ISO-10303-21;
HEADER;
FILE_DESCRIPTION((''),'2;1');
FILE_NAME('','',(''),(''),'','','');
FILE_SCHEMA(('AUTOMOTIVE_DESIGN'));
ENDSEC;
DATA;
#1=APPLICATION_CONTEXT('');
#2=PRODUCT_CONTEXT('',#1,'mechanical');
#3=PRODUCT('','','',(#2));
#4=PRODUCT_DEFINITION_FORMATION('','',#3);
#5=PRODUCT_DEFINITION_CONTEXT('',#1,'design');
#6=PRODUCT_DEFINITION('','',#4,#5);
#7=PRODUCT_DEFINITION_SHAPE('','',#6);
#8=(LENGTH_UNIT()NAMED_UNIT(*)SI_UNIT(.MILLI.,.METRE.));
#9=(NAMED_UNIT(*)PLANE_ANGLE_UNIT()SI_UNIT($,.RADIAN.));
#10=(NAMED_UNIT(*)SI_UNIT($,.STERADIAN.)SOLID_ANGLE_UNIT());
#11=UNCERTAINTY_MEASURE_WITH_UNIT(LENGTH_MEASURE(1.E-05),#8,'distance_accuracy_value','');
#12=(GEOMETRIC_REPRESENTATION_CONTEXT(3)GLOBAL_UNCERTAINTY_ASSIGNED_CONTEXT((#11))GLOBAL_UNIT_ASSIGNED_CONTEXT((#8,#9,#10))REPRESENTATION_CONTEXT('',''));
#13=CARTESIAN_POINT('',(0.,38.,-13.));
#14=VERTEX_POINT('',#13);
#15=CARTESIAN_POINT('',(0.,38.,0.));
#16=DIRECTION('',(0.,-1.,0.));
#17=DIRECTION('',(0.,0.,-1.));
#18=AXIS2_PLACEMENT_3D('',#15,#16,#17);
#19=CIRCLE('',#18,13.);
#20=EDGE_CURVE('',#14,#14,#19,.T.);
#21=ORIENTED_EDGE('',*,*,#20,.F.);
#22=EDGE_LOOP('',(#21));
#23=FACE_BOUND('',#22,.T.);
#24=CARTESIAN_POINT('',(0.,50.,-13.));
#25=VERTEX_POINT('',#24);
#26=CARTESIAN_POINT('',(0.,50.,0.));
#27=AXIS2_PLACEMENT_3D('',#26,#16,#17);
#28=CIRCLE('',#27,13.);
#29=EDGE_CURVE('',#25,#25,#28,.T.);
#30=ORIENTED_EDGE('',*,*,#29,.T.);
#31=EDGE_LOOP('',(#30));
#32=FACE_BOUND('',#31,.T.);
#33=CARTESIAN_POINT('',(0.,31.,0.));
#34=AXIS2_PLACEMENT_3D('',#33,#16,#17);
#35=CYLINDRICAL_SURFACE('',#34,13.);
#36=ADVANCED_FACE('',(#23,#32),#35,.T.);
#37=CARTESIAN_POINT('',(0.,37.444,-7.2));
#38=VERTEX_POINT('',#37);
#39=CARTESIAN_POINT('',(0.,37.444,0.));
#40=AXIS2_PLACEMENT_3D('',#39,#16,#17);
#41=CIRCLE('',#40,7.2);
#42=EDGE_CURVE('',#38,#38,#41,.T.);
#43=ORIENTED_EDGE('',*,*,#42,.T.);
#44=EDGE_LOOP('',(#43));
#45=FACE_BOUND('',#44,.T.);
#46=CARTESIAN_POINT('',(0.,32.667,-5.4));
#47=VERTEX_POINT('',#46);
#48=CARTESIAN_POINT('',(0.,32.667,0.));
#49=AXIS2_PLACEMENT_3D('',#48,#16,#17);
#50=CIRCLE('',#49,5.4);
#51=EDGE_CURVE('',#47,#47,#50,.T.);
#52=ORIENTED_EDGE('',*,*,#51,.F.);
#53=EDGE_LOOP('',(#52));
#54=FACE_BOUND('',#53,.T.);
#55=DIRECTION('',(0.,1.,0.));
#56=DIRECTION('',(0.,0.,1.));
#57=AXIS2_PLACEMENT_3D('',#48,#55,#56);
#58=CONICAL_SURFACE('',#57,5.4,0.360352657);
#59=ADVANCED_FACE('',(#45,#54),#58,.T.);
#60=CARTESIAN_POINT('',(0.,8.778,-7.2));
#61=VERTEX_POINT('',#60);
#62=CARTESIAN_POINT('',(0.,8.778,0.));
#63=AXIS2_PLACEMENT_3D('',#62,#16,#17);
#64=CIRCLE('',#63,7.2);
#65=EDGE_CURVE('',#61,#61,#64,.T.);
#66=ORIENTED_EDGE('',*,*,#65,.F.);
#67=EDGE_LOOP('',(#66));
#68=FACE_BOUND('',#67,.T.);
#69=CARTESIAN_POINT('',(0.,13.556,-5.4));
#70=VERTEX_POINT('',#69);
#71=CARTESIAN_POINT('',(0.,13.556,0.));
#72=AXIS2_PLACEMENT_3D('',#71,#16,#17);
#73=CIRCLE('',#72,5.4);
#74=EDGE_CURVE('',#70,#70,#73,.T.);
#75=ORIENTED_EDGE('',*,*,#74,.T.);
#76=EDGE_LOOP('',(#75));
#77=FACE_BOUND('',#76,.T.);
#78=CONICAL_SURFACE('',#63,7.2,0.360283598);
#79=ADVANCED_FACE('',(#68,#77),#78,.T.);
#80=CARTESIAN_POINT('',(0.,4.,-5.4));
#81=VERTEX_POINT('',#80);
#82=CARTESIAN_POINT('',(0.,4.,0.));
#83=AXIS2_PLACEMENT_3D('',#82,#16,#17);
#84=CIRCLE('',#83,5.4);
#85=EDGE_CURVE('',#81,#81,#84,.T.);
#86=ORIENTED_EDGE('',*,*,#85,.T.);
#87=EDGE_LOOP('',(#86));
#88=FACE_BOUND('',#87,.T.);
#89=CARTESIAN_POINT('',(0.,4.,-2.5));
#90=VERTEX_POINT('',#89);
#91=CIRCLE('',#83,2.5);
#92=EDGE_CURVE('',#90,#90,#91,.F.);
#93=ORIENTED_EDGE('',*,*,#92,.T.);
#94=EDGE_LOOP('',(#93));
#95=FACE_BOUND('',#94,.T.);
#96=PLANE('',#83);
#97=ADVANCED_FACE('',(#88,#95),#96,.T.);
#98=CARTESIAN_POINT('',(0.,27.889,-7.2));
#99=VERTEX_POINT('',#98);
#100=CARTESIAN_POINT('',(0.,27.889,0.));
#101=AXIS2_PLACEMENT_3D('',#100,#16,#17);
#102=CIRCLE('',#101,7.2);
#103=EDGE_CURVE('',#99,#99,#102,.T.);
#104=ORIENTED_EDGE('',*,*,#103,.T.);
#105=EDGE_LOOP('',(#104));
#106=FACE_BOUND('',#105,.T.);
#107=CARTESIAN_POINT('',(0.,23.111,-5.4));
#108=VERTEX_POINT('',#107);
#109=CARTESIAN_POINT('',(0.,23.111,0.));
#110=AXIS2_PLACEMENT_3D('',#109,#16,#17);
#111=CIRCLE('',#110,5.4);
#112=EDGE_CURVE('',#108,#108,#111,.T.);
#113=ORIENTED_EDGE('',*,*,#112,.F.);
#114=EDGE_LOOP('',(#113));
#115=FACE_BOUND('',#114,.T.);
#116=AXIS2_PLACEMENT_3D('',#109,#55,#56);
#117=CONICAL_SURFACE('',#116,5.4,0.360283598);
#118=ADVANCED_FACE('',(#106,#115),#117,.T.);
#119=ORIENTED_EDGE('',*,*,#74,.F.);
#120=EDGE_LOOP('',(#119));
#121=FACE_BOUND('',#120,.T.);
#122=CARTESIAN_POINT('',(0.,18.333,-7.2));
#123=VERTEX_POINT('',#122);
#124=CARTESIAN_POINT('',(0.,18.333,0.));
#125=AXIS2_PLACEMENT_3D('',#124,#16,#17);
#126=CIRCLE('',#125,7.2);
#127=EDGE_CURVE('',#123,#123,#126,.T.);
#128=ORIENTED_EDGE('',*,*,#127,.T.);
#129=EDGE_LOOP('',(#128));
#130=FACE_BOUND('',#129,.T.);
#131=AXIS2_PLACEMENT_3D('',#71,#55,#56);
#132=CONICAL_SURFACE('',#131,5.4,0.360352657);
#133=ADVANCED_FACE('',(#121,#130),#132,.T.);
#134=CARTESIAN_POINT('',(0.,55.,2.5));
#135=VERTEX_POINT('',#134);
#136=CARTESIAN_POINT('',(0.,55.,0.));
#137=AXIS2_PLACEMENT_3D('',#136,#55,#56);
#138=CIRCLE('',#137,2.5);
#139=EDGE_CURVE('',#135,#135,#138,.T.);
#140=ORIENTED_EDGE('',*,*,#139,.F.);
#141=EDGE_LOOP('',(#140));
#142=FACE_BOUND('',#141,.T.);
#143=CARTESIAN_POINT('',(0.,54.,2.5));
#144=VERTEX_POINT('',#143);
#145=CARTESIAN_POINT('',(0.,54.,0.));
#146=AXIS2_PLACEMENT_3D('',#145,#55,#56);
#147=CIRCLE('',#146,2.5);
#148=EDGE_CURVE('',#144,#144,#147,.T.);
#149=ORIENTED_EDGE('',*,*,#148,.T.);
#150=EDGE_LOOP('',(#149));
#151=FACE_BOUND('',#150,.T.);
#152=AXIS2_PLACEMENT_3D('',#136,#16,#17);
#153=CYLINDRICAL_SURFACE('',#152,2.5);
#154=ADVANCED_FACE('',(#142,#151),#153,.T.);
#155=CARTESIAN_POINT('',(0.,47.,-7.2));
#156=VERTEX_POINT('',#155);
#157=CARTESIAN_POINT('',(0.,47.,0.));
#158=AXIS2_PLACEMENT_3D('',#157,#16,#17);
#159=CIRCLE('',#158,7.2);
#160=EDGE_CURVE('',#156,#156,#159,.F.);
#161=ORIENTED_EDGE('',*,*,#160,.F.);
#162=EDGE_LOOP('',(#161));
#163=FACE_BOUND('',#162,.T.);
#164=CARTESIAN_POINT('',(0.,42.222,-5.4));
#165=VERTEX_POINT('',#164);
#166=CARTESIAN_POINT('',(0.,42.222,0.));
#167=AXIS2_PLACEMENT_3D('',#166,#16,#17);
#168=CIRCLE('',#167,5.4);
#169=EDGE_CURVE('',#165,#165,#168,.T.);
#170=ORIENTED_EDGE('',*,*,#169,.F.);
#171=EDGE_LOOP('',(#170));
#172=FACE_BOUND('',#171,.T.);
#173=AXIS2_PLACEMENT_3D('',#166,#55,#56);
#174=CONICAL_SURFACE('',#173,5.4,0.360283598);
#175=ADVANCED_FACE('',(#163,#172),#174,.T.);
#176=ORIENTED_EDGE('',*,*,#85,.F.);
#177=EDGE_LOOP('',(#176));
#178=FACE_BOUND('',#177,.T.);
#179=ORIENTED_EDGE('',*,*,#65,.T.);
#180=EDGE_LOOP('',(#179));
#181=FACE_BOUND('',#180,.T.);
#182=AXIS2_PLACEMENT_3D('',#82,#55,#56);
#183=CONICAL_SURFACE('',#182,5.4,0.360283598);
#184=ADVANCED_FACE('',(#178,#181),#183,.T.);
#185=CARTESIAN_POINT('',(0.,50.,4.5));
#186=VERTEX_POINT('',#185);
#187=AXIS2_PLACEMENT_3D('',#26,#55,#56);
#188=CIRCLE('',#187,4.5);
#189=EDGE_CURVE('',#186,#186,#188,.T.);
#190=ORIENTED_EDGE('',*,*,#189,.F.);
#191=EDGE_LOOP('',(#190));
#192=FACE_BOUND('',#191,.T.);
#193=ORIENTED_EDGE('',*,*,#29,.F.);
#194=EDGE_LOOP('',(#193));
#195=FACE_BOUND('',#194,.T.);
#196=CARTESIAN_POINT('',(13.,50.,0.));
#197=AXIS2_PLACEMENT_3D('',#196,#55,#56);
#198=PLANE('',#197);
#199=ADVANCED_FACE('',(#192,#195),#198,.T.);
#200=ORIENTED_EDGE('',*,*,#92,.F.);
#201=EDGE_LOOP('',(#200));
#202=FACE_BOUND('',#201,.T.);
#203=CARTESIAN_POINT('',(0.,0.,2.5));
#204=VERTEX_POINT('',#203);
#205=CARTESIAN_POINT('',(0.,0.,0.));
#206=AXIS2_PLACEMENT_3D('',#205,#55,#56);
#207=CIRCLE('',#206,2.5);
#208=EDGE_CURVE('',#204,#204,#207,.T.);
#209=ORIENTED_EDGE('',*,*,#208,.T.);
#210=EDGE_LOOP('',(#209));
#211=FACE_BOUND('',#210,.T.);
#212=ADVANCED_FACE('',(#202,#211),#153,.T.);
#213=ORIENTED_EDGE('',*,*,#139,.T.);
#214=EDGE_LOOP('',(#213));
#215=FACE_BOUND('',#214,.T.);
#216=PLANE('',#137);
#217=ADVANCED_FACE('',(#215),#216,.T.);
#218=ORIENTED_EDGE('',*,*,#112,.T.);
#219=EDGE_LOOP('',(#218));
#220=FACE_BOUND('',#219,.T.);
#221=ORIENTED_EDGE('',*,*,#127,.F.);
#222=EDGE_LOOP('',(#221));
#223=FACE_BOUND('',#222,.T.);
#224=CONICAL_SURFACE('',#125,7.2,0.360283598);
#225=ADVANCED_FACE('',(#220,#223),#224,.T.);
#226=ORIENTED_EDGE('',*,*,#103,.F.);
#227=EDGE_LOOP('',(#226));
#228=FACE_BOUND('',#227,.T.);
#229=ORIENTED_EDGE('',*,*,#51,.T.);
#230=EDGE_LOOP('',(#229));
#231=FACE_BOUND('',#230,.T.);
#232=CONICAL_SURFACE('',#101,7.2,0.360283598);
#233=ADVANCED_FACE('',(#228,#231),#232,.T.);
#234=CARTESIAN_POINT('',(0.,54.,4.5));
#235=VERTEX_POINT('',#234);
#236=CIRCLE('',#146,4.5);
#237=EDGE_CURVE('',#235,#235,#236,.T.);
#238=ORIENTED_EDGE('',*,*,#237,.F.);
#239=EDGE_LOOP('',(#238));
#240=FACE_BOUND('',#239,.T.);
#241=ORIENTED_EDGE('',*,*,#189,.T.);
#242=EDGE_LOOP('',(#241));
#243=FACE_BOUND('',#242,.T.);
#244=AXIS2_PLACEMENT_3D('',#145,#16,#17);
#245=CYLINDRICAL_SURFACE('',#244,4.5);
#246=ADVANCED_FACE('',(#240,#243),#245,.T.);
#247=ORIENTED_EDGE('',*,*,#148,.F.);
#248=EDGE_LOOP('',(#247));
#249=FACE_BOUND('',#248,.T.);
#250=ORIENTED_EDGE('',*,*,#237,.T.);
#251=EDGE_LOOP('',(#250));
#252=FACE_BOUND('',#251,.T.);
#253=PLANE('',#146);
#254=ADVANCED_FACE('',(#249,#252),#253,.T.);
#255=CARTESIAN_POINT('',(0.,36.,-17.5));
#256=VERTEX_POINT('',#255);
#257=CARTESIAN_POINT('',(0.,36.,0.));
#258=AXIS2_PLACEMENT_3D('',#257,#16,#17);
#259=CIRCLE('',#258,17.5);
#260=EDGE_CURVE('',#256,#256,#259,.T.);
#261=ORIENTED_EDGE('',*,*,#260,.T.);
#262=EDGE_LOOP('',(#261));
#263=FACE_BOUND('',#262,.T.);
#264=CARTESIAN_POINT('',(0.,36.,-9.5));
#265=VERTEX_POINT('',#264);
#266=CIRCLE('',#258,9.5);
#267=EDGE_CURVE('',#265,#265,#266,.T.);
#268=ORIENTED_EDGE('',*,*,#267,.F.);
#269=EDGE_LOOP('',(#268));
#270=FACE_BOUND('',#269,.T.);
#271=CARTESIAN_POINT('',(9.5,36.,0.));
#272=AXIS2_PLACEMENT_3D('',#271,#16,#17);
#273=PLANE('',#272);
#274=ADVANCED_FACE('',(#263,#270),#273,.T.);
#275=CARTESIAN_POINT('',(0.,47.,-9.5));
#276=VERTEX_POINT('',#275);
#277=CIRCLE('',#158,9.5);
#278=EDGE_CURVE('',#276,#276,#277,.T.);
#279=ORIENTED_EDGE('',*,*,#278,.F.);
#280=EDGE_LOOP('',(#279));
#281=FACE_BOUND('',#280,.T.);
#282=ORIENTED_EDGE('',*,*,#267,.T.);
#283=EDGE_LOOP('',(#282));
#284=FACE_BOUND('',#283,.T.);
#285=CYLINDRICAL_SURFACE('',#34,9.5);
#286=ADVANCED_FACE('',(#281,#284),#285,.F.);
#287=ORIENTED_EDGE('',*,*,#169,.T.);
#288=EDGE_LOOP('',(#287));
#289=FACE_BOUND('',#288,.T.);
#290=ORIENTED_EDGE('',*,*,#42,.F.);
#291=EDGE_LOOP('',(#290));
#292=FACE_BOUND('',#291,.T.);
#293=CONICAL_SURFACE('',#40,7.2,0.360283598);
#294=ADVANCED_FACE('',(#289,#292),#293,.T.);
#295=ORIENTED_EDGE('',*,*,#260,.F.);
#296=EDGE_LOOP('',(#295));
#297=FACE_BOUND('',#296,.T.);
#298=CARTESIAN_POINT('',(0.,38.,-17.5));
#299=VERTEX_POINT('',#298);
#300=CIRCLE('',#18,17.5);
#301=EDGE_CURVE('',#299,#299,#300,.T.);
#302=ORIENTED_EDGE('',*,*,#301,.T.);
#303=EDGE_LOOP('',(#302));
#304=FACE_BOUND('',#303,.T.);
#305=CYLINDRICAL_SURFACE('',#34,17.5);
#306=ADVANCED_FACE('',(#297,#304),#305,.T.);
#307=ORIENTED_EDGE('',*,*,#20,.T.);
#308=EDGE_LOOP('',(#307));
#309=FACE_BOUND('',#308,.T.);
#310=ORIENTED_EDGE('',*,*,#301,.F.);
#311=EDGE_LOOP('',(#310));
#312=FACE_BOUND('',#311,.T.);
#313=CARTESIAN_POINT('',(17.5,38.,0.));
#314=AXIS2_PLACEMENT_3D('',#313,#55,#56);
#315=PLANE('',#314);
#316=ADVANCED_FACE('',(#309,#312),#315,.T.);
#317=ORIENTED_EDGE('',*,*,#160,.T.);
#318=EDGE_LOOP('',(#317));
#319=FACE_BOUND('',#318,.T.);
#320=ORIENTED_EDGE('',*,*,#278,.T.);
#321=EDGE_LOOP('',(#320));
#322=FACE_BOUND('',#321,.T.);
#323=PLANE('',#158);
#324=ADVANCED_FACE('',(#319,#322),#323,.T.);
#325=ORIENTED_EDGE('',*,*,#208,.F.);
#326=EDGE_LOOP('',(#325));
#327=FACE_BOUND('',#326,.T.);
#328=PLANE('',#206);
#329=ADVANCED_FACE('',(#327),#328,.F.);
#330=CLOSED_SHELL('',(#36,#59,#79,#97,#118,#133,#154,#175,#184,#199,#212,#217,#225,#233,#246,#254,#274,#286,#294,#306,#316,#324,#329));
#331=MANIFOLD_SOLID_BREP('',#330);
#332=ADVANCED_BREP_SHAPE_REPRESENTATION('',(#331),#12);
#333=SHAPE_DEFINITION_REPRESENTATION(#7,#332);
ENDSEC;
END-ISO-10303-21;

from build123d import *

# Parameters (mm, degrees)
SK_P02_GUIDEBOLTDROOPSTOP_R  = 2.5
P02_GUIDEBOLTDROOPSTOP_DEPTH = 55
P04_STOPNUT_START            = 50
SK_P04_STOPNUT_R             = 4.5
P04_STOPNUT_DEPTH            = 4


with BuildPart() as part:
    # SK_P01_Spring → P01_Spring (revolve)
    with BuildSketch(Plane.XY, mode=Mode.PRIVATE) as p01_spring_sk:
        Polygon((0, 4), (5.4, 4), (7.2, 8.778), (5.4, 13.556), (7.2, 18.333), (5.4, 23.111), (7.2, 27.889), (5.4, 32.667), (7.2, 37.444), (5.4, 42.222), (7.2, 47), (0, 47), align=None)
    revolve(p01_spring_sk.sketch.rotate(Axis((0, -1, 0), (0, 1, 0)), 90), axis=Axis((0, -1, 0), (0, 1, 0)))

    # SK_P02_Guideboltdroopstop → P02_Guideboltdroopstop (add)
    with BuildSketch(Plane(origin=(0, 0, 0), x_dir=(1, 0, 0), z_dir=(0, 1, 0))):
        with Locations(Location((0, 0, 0), (0, 0, 270))):
            Circle(SK_P02_GUIDEBOLTDROOPSTOP_R)
    extrude(amount=P02_GUIDEBOLTDROOPSTOP_DEPTH)

    # SK_P03_Springcup → P03_Springcup (revolve)
    with BuildSketch(Plane.XY, mode=Mode.PRIVATE) as p03_springcup_sk:
        Polygon((9.5, 36), (17.5, 36), (17.5, 38), (13, 38), (13, 50), (0, 50), (0, 47), (9.5, 47), align=None)
    revolve(p03_springcup_sk.sketch.rotate(Axis((0, 31, 0), (0, 1, 0)), 90), axis=Axis((0, 31, 0), (0, 1, 0)))

    # SK_P04_Stopnut → P04_Stopnut (add)
    with BuildSketch(Plane(origin=(0, 0, 0), x_dir=(1, 0, 0), z_dir=(0, 1, 0)).offset(P04_STOPNUT_START)):
        with Locations(Location((0, 0, 0), (0, 0, 270))):
            Circle(SK_P04_STOPNUT_R)
    extrude(amount=P04_STOPNUT_DEPTH)


solid = part.part
